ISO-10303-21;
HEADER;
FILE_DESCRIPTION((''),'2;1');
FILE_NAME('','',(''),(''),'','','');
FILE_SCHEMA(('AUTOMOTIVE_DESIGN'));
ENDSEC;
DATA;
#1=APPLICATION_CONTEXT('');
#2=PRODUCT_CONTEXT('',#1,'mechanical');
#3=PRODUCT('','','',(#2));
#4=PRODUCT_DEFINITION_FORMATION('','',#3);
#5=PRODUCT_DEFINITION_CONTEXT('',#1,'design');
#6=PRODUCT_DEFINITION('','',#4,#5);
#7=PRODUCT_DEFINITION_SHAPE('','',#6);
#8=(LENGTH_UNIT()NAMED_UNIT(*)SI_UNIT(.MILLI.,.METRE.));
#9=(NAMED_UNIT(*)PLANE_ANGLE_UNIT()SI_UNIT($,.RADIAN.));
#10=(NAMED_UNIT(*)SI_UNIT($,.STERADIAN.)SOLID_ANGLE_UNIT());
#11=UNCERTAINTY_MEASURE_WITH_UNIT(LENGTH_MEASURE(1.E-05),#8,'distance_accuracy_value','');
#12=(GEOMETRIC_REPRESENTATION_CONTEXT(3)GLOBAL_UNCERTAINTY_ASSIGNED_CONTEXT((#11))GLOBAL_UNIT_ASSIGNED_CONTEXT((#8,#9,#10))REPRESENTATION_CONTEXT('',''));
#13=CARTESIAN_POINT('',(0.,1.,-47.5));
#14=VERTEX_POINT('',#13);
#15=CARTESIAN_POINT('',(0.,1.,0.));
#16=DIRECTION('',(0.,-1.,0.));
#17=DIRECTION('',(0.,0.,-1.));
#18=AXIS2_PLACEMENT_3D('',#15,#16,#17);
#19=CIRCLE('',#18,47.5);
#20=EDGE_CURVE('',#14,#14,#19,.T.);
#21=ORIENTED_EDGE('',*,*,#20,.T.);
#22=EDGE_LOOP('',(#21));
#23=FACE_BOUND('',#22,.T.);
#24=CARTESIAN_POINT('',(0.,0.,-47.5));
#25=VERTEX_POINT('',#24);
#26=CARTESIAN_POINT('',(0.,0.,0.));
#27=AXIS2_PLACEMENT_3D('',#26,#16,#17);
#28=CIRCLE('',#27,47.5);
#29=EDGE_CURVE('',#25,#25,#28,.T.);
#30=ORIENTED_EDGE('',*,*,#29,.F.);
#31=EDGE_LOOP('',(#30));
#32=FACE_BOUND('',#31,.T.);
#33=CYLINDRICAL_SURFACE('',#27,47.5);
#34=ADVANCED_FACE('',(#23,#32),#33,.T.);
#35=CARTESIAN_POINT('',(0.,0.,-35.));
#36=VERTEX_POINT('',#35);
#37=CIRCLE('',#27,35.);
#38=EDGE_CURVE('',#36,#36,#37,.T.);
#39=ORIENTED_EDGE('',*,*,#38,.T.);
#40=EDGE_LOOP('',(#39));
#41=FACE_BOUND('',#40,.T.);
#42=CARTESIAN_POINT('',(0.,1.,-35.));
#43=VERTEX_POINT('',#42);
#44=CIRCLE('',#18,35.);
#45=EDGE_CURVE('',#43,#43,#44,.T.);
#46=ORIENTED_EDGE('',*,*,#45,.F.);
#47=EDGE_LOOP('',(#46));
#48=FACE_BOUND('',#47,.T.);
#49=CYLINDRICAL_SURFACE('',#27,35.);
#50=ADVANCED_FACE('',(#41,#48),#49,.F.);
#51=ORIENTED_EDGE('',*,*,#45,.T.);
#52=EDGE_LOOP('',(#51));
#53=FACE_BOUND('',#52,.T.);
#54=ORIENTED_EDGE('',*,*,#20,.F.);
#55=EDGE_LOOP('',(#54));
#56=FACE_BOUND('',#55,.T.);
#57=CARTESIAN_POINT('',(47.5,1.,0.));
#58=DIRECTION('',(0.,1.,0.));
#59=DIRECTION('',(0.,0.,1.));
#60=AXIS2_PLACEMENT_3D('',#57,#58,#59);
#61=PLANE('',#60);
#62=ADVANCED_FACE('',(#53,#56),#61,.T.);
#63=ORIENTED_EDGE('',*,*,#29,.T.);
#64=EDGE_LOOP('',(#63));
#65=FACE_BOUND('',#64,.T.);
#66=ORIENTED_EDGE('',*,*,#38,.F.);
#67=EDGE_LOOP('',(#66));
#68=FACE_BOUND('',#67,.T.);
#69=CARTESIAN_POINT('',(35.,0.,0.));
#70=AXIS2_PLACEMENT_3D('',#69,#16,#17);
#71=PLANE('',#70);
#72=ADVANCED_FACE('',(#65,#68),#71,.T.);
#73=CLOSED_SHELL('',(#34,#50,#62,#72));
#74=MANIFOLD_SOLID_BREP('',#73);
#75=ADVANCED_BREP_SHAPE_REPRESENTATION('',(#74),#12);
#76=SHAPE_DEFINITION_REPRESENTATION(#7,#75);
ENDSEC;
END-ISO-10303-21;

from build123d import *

# Parameters (mm, degrees)
SKIZZE1_W = 12.5
SKIZZE1_H = 1


with BuildPart() as part:
    # Skizze1 → Rotation1 (revolve)
    with BuildSketch(Plane.XY, mode=Mode.PRIVATE) as rotation1_sk:
        with Locations((41.25, 0.5)):
            Rectangle(SKIZZE1_W, SKIZZE1_H)
    revolve(rotation1_sk.sketch.rotate(Axis((0, 0, 0), (0, 1, 0)), 90), axis=Axis((0, 0, 0), (0, 1, 0)))


solid = part.part
